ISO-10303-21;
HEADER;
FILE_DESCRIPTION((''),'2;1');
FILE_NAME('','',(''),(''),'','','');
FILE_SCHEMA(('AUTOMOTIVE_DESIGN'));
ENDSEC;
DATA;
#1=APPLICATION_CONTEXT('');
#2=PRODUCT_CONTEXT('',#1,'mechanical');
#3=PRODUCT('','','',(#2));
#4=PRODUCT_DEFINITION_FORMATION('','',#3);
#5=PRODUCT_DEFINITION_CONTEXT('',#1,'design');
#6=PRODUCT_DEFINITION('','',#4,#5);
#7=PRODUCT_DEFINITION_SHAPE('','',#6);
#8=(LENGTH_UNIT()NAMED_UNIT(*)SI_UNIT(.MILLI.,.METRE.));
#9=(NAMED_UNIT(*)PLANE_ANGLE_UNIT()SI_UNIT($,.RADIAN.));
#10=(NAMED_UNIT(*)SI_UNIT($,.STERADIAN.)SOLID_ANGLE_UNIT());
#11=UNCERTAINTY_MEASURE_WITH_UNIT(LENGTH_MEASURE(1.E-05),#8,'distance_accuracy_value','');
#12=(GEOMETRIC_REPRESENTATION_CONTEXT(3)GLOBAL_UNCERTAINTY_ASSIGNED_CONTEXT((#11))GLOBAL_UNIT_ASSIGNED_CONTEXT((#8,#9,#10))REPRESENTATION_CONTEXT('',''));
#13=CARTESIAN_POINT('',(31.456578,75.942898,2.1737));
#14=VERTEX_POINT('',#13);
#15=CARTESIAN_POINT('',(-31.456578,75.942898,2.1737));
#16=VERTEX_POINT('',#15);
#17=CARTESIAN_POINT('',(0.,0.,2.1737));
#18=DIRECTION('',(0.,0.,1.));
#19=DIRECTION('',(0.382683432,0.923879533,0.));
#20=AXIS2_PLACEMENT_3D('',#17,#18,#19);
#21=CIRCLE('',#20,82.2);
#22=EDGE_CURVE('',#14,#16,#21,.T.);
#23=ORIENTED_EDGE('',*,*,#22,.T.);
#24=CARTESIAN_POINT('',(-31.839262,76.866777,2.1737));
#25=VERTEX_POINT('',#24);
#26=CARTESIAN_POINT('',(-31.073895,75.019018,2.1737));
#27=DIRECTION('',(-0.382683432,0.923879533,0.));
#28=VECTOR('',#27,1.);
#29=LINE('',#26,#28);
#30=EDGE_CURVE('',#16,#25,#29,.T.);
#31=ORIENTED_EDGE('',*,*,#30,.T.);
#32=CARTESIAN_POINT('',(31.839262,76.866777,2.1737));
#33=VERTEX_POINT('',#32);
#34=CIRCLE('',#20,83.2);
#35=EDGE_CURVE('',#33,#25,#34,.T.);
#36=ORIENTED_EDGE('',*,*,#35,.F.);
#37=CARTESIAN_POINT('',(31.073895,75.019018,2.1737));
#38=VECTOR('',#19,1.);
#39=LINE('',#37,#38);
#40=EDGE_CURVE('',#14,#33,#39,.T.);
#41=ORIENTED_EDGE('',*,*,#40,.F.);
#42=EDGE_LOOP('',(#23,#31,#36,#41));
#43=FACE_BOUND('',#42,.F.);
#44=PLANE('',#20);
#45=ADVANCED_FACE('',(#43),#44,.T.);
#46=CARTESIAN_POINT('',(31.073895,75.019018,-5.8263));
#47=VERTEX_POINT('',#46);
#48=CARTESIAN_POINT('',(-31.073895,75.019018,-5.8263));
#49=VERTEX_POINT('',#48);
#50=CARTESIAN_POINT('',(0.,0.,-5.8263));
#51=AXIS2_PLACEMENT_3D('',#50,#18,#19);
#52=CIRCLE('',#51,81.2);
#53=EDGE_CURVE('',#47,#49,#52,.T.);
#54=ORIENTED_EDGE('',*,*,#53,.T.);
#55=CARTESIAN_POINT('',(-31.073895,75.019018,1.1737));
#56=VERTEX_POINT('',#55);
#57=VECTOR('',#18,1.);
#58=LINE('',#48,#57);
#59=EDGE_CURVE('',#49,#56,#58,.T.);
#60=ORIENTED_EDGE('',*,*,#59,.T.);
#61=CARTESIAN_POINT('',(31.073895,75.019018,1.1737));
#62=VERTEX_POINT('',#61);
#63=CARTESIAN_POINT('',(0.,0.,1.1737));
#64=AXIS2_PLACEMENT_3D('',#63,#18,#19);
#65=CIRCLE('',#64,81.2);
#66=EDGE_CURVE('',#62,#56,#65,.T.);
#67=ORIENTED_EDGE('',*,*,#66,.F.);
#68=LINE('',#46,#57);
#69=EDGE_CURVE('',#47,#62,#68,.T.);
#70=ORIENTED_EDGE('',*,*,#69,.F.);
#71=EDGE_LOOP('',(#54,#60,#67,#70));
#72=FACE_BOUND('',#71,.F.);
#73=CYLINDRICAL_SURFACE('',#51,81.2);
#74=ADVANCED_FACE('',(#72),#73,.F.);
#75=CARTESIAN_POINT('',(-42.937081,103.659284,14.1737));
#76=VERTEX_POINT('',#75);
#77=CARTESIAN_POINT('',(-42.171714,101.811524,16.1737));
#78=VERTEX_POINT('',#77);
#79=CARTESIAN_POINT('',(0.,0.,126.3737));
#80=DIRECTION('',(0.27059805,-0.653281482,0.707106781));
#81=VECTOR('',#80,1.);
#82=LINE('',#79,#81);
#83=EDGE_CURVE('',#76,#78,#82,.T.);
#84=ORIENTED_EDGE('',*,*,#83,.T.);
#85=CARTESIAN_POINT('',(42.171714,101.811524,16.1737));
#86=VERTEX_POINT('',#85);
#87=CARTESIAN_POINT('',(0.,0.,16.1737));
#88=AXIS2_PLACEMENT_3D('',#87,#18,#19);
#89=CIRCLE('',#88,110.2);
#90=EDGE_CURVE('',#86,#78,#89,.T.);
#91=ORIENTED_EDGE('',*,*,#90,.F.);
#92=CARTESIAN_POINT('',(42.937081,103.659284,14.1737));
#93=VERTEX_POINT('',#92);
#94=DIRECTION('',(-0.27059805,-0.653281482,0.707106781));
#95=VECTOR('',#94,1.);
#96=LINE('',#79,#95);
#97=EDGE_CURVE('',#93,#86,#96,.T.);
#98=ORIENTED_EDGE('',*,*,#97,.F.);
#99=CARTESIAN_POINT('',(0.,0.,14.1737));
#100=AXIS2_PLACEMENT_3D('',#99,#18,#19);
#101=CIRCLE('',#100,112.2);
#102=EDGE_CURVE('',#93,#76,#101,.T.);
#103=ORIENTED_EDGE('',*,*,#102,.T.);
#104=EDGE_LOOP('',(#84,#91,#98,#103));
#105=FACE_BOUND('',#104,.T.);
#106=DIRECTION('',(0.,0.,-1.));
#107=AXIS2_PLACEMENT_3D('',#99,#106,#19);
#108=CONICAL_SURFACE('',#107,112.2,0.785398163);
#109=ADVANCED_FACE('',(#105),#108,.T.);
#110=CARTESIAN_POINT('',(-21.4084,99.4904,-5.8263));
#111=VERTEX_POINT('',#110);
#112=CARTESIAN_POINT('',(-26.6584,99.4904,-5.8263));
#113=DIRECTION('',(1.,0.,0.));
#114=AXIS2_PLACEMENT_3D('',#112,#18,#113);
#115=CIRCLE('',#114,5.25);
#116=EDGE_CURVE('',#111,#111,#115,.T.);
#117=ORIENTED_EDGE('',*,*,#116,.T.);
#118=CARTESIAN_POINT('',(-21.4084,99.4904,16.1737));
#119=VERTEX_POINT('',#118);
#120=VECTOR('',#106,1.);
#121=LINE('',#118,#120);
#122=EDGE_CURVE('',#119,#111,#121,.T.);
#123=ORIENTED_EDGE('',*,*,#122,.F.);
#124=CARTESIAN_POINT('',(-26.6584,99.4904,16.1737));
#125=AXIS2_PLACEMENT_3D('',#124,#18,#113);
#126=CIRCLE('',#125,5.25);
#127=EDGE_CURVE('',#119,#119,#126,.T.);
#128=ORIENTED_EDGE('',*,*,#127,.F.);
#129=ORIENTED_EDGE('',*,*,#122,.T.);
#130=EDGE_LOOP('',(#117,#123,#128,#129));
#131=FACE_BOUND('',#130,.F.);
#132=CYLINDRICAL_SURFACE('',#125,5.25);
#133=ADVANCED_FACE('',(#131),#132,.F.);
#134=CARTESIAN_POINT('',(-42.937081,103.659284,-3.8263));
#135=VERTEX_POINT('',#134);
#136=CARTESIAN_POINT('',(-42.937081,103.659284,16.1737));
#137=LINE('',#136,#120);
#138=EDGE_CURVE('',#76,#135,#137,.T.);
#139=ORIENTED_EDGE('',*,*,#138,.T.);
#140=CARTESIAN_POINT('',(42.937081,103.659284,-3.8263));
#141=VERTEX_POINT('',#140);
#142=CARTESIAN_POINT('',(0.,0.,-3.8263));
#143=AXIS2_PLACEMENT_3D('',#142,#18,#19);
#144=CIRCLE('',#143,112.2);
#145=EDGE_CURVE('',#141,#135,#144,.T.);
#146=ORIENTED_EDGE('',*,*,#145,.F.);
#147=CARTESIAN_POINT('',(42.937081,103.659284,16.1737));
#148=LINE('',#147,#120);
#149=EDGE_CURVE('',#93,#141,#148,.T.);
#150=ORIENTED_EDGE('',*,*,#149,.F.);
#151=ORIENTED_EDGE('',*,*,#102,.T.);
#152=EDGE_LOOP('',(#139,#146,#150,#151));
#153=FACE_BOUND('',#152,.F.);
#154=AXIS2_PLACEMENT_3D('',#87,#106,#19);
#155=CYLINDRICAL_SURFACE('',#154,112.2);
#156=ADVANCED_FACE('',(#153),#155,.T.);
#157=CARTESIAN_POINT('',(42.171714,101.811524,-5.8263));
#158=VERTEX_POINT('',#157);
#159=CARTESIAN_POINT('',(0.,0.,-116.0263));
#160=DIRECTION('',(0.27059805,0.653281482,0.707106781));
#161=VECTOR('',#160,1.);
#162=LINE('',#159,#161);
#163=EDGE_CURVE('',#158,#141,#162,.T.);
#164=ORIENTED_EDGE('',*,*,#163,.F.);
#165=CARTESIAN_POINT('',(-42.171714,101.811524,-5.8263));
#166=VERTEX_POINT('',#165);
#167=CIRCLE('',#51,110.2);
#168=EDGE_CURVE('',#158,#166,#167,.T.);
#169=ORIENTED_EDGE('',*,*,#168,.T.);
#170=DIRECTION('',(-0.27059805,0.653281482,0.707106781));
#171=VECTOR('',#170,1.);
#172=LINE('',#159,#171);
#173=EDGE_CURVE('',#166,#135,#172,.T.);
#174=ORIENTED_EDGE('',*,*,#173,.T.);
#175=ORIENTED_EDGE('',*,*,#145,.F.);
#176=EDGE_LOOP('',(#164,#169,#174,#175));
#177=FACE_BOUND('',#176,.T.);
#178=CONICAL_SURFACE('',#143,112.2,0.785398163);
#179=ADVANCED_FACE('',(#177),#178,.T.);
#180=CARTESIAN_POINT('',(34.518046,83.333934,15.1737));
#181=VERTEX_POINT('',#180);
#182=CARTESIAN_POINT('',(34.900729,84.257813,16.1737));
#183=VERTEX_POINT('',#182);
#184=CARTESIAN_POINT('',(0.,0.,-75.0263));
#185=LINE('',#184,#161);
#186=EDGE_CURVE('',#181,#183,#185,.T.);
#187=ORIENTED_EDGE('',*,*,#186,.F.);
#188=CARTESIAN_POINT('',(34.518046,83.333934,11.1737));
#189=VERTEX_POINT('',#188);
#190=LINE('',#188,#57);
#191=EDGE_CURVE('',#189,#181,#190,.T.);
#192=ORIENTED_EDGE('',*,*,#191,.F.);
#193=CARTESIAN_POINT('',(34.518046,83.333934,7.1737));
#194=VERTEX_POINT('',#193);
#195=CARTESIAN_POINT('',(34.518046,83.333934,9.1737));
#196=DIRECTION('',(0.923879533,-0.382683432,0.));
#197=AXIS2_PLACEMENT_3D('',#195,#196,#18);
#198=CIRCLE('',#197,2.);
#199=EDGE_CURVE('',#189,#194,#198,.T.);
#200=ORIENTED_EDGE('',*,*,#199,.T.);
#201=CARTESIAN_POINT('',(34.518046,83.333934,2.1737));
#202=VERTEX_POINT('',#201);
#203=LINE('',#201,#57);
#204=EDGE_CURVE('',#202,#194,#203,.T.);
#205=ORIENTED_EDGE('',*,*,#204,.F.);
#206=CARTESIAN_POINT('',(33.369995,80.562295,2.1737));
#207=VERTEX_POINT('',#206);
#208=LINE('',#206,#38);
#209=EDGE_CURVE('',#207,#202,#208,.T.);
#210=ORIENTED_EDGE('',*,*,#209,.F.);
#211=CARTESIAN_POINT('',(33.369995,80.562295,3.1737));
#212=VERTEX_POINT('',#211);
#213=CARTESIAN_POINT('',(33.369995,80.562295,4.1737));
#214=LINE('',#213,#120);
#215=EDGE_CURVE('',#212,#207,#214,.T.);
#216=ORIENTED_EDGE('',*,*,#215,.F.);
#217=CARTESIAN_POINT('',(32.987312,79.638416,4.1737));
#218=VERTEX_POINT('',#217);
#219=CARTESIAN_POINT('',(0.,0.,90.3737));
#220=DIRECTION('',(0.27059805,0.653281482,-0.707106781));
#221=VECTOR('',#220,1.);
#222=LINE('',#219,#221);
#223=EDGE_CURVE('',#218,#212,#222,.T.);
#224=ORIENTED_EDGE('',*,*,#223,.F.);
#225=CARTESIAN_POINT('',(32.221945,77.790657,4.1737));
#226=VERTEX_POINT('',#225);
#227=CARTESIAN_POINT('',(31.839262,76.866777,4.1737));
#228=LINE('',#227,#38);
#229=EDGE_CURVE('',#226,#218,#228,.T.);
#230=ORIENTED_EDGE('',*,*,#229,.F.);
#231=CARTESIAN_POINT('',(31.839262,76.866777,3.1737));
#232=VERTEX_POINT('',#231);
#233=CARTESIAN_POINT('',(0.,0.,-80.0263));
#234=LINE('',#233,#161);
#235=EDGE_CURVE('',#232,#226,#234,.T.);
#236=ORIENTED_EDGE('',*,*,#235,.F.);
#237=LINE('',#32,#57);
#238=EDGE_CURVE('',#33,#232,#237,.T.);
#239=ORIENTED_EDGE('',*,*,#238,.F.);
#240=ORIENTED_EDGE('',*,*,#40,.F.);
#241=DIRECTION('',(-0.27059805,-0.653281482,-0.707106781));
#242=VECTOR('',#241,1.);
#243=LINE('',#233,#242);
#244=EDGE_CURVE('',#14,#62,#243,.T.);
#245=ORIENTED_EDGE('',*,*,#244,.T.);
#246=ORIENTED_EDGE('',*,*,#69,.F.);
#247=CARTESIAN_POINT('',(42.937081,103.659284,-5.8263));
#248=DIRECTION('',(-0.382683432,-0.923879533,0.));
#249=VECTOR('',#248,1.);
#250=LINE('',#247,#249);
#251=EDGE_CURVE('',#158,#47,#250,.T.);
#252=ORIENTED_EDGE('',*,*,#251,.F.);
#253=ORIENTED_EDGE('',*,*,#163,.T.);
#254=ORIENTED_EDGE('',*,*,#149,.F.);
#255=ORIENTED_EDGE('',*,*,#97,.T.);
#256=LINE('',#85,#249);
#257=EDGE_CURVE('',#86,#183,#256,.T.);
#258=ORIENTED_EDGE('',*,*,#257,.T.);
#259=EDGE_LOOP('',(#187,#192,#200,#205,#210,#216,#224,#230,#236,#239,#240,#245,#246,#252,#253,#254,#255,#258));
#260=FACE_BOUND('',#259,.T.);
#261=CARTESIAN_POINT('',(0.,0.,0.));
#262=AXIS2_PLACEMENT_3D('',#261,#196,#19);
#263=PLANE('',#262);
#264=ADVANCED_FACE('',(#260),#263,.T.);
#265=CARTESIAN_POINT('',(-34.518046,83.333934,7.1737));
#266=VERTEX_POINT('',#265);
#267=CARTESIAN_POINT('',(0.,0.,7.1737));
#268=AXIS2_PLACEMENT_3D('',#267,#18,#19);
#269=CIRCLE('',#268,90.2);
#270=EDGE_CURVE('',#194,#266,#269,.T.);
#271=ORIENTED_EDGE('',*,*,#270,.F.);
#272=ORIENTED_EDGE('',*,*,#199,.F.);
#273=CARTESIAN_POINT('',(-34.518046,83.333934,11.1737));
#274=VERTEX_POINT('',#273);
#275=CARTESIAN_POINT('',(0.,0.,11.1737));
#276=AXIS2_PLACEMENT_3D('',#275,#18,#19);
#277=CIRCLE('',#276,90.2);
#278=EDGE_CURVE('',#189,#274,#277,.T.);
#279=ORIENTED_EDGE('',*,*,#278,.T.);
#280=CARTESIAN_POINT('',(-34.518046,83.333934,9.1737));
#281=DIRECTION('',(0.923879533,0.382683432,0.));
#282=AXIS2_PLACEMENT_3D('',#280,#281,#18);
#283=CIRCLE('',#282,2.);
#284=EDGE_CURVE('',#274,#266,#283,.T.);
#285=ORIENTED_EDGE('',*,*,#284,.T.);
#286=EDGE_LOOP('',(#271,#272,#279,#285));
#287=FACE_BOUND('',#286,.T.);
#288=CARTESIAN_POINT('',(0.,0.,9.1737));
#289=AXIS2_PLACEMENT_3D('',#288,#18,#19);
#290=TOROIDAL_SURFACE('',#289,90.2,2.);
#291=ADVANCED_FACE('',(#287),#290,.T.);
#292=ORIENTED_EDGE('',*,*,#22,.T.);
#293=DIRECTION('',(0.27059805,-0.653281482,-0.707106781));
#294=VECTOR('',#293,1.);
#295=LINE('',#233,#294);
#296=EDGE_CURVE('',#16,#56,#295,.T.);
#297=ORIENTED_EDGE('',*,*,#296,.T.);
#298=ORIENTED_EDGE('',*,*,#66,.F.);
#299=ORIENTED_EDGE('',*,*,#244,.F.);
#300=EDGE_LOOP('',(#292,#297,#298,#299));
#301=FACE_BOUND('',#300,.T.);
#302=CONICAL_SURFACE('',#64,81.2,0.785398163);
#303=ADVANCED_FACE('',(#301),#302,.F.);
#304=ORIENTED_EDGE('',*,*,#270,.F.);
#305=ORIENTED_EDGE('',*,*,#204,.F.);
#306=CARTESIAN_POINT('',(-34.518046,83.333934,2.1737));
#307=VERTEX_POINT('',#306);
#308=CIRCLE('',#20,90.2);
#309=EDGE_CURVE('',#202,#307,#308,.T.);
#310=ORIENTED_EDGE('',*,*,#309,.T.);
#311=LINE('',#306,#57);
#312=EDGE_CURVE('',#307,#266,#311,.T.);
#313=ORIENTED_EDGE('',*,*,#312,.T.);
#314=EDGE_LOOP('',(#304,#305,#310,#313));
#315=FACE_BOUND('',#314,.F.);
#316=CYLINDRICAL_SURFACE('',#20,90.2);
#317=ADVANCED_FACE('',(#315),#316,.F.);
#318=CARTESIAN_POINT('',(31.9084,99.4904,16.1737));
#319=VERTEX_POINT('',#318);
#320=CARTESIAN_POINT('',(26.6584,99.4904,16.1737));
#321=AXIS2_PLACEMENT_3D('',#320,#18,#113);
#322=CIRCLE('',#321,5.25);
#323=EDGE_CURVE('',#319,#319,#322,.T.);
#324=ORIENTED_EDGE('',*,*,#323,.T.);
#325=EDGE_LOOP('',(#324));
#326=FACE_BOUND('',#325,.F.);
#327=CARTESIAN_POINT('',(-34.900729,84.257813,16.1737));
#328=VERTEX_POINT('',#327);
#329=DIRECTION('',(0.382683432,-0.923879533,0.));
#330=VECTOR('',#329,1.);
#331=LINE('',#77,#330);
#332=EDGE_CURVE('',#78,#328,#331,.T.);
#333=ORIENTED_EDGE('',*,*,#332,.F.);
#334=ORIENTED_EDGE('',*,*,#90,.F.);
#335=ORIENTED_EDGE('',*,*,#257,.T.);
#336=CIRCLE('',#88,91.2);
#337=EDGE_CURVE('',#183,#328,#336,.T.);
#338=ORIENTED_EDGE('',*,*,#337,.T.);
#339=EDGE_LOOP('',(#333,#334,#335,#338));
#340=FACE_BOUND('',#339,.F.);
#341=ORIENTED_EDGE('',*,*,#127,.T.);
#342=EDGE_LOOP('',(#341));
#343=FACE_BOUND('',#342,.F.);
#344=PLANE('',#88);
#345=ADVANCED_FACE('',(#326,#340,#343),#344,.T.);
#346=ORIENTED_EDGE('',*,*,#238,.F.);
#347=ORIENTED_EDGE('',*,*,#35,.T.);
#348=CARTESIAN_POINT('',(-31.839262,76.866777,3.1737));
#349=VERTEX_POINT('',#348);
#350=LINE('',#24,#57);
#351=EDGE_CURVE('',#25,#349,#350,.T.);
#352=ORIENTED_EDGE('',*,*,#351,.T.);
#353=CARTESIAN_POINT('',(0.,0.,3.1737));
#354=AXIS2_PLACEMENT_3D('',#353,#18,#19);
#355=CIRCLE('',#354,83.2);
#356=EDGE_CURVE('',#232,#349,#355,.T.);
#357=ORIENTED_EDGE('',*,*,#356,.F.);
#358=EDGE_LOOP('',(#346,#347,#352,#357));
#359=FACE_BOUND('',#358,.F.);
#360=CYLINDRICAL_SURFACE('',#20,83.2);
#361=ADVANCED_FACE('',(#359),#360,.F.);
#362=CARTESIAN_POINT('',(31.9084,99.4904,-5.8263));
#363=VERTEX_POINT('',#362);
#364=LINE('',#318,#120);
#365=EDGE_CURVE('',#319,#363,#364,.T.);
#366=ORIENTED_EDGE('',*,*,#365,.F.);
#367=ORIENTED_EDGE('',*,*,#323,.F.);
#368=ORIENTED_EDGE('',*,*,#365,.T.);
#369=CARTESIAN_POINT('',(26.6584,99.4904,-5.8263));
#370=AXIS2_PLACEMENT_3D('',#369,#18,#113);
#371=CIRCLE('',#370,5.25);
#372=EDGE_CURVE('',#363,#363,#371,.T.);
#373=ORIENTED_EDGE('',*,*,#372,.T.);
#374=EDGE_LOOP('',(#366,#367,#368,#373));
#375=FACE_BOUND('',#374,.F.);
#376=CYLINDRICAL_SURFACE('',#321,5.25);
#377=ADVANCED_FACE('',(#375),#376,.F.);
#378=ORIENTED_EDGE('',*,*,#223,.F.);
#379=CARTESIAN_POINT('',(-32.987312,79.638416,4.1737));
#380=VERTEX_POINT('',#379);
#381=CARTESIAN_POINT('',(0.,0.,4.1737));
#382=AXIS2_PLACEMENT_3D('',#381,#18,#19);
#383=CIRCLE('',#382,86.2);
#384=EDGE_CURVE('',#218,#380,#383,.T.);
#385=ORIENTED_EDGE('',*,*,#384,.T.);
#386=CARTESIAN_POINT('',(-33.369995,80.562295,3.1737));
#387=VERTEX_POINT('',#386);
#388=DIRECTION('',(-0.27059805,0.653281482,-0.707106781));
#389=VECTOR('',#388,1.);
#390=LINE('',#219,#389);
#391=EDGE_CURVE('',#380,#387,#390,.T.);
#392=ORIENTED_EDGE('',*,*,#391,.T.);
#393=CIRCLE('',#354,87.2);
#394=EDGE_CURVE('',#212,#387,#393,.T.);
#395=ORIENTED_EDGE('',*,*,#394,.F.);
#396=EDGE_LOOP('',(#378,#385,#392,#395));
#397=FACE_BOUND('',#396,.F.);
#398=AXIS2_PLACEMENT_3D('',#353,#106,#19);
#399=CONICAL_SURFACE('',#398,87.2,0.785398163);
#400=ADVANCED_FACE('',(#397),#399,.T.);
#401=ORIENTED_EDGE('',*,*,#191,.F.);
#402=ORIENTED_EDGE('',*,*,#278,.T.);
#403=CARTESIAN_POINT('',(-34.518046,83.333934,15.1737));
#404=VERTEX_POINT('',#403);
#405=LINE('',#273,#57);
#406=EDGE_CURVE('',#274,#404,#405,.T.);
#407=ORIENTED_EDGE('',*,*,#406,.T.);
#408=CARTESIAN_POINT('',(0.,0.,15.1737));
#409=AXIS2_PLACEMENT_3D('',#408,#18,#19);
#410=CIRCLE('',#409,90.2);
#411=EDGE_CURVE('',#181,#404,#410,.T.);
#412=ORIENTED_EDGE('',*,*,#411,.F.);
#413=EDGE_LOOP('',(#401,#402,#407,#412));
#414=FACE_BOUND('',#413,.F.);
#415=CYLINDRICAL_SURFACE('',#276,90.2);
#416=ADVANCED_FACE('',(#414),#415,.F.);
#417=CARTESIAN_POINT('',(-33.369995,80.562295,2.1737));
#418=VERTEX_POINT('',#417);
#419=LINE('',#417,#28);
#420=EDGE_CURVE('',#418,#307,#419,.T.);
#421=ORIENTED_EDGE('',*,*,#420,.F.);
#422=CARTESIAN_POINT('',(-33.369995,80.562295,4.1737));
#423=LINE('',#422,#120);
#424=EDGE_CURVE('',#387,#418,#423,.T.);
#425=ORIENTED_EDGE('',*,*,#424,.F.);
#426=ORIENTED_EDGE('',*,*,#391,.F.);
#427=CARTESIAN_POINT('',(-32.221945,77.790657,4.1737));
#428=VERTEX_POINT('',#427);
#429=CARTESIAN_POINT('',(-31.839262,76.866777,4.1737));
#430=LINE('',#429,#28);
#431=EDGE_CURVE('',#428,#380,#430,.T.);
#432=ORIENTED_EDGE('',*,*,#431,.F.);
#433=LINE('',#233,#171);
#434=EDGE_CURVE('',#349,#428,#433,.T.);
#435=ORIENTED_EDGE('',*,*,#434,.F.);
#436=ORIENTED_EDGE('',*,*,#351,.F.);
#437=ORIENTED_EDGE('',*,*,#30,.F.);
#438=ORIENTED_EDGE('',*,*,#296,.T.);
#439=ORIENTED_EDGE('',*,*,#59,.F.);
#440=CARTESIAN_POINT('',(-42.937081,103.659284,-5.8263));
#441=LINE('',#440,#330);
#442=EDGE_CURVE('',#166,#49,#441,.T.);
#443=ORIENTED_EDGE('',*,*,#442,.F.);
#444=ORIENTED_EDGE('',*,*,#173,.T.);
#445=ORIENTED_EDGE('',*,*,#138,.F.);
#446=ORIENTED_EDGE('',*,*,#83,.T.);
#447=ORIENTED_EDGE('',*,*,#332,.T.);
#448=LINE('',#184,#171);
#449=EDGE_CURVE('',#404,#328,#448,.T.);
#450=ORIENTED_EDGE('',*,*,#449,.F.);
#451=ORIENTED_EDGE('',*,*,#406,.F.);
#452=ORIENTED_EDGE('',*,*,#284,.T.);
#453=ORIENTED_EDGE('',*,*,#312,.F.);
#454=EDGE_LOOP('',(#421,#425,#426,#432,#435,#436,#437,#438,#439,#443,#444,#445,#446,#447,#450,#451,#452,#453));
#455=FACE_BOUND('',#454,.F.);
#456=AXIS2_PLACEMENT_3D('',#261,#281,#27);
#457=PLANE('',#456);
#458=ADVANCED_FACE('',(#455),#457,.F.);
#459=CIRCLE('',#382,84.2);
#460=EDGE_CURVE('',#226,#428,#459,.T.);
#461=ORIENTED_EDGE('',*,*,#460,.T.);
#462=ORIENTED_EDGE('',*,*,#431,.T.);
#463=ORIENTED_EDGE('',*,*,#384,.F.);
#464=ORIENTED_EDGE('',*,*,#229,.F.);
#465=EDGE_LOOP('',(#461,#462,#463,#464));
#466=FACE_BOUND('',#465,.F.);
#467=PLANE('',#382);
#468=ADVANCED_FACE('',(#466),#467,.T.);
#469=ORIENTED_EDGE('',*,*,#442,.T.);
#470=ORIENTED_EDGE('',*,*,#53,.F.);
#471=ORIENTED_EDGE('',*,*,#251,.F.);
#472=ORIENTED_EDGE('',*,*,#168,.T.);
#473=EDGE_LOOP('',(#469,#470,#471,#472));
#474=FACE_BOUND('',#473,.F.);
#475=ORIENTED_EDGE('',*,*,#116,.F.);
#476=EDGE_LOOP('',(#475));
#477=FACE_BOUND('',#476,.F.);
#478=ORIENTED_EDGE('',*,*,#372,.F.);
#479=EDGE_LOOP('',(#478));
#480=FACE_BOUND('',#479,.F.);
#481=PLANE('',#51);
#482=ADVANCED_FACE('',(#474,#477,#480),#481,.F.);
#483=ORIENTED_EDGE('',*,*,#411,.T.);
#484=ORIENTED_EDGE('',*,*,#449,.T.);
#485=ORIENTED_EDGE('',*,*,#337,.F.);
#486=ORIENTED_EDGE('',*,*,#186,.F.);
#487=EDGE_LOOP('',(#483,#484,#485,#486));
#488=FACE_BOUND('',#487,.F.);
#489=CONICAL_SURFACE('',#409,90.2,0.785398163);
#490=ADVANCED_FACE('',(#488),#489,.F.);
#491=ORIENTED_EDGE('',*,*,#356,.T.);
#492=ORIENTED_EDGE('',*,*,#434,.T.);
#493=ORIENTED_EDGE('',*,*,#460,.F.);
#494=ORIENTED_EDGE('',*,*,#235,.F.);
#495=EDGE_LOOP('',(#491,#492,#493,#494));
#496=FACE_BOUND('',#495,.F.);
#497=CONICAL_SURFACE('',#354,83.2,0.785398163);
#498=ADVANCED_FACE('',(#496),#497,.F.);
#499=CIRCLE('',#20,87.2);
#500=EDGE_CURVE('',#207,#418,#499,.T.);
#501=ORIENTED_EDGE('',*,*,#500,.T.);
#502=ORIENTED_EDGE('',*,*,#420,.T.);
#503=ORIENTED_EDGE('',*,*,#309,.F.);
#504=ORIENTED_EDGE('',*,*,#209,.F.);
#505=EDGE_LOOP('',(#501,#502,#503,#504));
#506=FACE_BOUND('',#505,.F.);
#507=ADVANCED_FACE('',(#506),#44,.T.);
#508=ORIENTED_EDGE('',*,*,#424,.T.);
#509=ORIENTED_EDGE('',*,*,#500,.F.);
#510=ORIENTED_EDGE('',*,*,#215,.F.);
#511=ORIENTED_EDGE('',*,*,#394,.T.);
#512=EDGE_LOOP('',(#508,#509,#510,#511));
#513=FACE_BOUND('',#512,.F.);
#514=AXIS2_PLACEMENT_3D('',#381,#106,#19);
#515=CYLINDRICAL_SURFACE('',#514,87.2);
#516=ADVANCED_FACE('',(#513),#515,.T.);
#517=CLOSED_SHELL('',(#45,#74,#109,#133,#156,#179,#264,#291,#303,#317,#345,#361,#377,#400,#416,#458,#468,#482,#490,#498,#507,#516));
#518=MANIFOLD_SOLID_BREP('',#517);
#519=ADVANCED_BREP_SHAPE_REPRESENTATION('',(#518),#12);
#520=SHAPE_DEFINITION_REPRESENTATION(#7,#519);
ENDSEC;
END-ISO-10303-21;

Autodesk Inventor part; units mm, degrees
ref_plane "YZ Plane" through (0, 0, 0) normal (1, 0, 0) x (0, 1, 0)
ref_plane "XZ Plane" through (0, 0, 0) normal (0, 1, 0) x (-1, 0, 0)
ref_plane "XY Plane" through (0, 0, 0) normal (0, 0, 1) x (1, 0, 0)
sketch "Sketch1" plane through (0, 0, 0) normal (1, 0, 0) x (0, 1, 0)
  line L0 (81.2, 2.1737) -> (83.2, 2.1737)
  line L1 (83.2, 2.1737) -> (83.2, 4.1737)
  line L2 (83.2, 4.1737) -> (87.2, 4.1737)
  line L3 (87.2, 4.1737) -> (87.2, 2.1737)
  line L4 (87.2, 2.1737) -> (90.2, 2.1737)
  line L5 (90.2, 2.1737) -> (90.2, 7.1737)
  arc A0 (90.2, 11.1737) -> (90.2, 7.1737) centre (90.2, 9.1737) ccw
  line L6 (90.2, 11.1737) -> (90.2, 16.1737)
  line L7 (90.2, 16.1737) -> (92.2, 16.1737)
  line L8 (92.2, 16.1737) -> (92.2, 16.1737)
  line L9 (92.2, 16.1737) -> (112.2, 16.1737)
  line L10 (112.2, 16.1737) -> (112.2, -5.8263)
  line L11 (112.2, -5.8263) -> (81.2, -5.8263)
  line L12 (81.2, -5.8263) -> (81.2, 2.1737)
  line L13 (90.2, 11.1737) -> (90.2, 7.1737) construction
  line L14 (0, -10.2263) -> (0, 20.5737) projected
  point P0 (0, 0)
  dimension "d0" = 4
  dimension "d1" = 9
  dimension "d2" = 3
  dimension "d3" = 2
  dimension "d4" = 5
  dimension "d5" = 4
  dimension "d6" = 90.2
  dimension "d8" = 20
  dimension "d9" = 2
  dimension "d21" = 81.2
  dimension "d22" = 8
  dimension "d23" = 14
  dimension "d25" = 22
  dimension "d40" = 0
revolve "Revolution1" add sketch "Sketch1" angle 45 mid plane about axis through (0, 0, -10) along (0, 0, 1)
chamfer "Chamfer2" distance 1 angle 45 4 edges at (0, 83.2, 4.1737) (0, 87.2, 4.1737) (0, 81.2, 2.1737) (0, 90.2, 16.1737)
chamfer "Chamfer3" distance 2 angle 45 2 edges at (0, 112.2, -5.8263) (0, 112.2, 16.1737)
sketch "Sketch5" plane through (0, 0, 16.1737) normal (0, 0, 1) x (1, 0, 0)
  circle A0 centre (26.6584, 99.4904) radius 5.25
  circle A1 centre (-26.6584, 99.4904) radius 5.25
  arc A2 (-1.1976, 102.993) -> (-50.3773, 89.8395) centre (0, 0) ccw construction
  line L0 (0, 0) -> (-26.6584, 99.4904) construction
  line L1 (0, -22.44) -> (0, 134.64) construction
  dimension "d41" = 103
  dimension "d42" = 10.5
  dimension "d43" = 15
extrude "Extrusion4" cut sketch "Sketch5" against normal through all
properties part number "prueba_clamp_iso160"
